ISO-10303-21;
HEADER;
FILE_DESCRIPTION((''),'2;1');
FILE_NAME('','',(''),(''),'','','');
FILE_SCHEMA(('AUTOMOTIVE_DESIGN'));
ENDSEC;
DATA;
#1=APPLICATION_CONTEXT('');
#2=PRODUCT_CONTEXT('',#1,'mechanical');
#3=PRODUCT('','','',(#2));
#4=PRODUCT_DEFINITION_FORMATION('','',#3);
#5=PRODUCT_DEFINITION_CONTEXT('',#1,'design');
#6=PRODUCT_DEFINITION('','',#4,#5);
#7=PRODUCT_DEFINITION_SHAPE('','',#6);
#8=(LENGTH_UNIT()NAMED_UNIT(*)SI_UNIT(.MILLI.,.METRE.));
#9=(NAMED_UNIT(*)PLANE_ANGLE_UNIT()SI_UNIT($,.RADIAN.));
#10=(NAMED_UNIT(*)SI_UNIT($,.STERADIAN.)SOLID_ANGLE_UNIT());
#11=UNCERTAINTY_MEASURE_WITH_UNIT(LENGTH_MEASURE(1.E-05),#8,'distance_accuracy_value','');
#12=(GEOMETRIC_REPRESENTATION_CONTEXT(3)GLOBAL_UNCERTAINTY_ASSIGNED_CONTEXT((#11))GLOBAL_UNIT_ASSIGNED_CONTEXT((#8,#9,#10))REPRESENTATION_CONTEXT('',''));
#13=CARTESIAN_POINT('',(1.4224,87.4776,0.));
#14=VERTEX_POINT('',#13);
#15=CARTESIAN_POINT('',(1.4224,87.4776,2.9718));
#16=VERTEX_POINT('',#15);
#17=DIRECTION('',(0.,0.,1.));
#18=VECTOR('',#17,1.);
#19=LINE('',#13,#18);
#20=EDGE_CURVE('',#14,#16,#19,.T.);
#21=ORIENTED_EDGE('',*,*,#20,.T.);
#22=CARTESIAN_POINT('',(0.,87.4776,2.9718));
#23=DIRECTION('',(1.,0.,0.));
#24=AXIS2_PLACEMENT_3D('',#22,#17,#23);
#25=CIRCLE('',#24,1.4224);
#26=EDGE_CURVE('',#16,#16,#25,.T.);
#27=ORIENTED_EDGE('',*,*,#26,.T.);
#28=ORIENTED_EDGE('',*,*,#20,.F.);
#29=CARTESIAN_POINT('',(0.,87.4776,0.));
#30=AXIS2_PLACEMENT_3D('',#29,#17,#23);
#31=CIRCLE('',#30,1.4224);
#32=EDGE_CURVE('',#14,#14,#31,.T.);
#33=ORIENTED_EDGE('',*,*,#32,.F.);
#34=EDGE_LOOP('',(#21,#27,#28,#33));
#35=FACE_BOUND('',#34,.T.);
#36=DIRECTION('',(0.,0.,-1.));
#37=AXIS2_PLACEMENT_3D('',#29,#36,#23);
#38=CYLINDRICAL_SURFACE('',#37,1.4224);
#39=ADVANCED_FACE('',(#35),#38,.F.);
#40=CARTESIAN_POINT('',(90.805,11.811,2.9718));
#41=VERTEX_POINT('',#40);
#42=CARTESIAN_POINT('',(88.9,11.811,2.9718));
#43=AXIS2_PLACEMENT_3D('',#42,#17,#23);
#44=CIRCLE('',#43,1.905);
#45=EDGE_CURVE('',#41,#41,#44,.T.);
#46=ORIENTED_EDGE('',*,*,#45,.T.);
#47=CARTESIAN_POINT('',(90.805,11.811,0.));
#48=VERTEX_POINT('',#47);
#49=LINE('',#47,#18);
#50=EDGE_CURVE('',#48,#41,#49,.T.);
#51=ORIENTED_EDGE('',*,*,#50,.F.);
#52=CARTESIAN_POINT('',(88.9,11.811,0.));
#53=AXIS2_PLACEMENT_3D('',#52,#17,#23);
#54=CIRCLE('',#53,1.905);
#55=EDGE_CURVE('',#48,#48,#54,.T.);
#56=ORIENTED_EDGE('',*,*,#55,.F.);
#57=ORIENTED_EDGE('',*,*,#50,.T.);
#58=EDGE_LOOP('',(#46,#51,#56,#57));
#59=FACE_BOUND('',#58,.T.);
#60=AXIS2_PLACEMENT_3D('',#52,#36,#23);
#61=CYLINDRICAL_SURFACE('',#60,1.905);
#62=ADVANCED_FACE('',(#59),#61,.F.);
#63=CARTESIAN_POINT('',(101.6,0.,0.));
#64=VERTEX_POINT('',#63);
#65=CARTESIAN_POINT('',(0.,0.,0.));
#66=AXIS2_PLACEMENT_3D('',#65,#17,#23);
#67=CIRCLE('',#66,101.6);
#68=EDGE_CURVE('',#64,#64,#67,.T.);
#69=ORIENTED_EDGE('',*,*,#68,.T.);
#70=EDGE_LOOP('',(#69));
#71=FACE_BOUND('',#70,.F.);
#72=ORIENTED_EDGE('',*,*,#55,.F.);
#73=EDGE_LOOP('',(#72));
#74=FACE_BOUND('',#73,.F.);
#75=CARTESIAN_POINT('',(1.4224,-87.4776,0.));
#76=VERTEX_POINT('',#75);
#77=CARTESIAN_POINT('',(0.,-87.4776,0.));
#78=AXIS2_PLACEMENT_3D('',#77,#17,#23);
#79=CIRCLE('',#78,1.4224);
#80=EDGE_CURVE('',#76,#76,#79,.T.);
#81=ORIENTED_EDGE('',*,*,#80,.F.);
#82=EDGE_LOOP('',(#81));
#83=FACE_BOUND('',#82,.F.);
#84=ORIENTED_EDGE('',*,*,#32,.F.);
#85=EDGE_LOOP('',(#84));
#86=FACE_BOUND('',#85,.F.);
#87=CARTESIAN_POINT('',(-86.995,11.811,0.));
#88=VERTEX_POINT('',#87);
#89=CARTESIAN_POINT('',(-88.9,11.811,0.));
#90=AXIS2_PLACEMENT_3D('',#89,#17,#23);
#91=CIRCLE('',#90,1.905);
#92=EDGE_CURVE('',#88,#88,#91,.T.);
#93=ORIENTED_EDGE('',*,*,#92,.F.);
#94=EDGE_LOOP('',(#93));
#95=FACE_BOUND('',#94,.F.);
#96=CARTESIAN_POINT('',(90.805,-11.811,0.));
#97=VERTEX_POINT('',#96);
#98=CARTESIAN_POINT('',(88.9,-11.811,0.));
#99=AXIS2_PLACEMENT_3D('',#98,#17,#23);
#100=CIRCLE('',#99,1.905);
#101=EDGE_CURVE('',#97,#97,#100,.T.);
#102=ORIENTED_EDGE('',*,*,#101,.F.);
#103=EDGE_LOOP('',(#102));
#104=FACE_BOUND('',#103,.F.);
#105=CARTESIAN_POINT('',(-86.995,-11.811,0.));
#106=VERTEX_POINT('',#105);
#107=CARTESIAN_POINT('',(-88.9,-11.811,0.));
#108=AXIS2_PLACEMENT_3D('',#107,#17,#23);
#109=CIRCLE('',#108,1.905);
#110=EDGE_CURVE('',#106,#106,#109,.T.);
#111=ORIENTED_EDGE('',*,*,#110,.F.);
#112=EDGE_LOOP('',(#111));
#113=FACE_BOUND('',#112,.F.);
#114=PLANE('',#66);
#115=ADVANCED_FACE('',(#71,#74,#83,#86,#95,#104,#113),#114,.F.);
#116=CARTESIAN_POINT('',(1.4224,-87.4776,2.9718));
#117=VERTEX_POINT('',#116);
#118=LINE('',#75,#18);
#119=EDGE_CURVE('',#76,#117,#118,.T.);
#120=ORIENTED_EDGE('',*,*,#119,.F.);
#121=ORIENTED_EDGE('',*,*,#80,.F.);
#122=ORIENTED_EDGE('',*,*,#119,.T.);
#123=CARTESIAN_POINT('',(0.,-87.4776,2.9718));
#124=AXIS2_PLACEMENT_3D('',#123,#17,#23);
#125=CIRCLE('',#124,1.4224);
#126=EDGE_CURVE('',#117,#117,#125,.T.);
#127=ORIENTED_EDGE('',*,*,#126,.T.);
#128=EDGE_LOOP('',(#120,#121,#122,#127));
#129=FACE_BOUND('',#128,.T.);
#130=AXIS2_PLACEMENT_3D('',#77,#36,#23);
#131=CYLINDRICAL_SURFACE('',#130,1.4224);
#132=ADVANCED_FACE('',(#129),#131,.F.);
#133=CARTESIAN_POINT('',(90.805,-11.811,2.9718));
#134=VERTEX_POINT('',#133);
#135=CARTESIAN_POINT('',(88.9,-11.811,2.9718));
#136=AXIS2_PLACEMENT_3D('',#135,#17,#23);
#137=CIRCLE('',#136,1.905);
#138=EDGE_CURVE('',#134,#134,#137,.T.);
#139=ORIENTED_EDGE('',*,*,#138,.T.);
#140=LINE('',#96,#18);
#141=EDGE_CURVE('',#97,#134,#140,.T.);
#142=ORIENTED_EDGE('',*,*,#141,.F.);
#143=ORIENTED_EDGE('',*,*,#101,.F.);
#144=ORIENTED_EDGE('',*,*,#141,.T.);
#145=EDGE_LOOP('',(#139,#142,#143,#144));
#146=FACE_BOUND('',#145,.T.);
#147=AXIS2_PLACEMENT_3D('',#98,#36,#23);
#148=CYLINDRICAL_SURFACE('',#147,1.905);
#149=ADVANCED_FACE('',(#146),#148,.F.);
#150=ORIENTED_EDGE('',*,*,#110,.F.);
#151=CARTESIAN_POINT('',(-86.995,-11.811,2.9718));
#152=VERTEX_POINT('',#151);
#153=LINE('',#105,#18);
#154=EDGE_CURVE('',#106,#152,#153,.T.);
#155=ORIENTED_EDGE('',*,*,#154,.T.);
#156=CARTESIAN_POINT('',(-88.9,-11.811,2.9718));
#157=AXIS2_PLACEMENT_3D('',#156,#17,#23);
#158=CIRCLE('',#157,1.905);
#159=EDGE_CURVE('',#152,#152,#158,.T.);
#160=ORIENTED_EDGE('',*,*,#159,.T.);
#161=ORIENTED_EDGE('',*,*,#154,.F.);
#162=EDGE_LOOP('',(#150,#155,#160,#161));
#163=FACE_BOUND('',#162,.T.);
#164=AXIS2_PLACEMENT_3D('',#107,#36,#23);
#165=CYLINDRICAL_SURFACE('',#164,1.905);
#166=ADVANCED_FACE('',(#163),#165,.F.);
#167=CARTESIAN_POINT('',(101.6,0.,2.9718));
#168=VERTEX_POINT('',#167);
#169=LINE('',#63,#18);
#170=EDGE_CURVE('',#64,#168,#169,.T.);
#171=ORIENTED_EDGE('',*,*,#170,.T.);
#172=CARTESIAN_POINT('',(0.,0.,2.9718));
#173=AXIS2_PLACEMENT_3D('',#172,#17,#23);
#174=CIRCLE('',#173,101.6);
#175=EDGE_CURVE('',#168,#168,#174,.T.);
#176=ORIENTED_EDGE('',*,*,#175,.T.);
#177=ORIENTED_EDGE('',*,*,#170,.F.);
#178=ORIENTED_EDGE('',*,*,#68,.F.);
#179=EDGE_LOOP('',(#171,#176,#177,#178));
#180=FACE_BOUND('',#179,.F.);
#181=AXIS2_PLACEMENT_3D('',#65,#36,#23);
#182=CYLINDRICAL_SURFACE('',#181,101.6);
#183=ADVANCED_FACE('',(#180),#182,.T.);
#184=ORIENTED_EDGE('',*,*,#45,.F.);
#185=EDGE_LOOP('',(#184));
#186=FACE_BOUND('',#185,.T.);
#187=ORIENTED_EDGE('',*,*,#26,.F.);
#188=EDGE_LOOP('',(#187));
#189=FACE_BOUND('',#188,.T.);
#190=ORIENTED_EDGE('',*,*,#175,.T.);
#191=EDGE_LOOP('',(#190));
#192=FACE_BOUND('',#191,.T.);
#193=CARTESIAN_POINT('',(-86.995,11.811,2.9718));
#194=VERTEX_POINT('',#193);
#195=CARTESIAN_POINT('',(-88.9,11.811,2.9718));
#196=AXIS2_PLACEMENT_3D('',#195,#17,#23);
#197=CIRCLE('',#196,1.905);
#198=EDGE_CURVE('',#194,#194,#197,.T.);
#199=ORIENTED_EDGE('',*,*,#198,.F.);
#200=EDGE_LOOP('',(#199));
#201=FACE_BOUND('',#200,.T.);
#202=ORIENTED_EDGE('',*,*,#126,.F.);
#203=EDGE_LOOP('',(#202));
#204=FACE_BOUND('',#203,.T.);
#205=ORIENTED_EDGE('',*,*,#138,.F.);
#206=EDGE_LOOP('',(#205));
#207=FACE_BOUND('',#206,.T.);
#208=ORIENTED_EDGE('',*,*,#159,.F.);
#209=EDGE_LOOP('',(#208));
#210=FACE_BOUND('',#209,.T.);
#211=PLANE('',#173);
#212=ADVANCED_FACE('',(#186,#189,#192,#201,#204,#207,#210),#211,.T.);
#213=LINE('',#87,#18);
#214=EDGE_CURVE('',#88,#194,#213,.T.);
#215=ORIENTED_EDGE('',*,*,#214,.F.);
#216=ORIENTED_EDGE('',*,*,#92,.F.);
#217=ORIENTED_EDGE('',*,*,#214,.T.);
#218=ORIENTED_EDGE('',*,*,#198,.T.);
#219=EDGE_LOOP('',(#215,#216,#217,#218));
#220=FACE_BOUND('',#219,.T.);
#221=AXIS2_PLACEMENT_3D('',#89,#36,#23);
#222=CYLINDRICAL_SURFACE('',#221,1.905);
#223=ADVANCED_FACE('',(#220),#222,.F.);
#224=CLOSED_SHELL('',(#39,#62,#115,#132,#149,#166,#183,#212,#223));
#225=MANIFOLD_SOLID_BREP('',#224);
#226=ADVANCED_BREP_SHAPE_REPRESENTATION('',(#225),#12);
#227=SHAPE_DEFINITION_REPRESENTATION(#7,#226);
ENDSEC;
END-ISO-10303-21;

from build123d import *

# Parameters (mm, degrees)
F0_R     = 101.6
F0_R_2   = 1.4224
F0_R_3   = 1.905
F1_DEPTH = 2.9718


with BuildPart() as f1:
    # F0 (on Top) → F1 (new body)
    with BuildSketch(Plane.XY):
        Circle(F0_R)
        with Locations((0, -87.4776)):
            Circle(F0_R_2, mode=Mode.SUBTRACT)
        with Locations((-88.9, -11.811)):
            Circle(F0_R_3, mode=Mode.SUBTRACT)
        with Locations((88.9, -11.811)):
            Circle(F0_R_3, mode=Mode.SUBTRACT)
        with Locations((-88.9, 11.811)):
            Circle(F0_R_3, mode=Mode.SUBTRACT)
        with Locations((0, 87.4776)):
            Circle(F0_R_2, mode=Mode.SUBTRACT)
        with Locations((88.9, 11.811)):
            Circle(F0_R_3, mode=Mode.SUBTRACT)
    extrude(amount=F1_DEPTH)


solid = f1.part
